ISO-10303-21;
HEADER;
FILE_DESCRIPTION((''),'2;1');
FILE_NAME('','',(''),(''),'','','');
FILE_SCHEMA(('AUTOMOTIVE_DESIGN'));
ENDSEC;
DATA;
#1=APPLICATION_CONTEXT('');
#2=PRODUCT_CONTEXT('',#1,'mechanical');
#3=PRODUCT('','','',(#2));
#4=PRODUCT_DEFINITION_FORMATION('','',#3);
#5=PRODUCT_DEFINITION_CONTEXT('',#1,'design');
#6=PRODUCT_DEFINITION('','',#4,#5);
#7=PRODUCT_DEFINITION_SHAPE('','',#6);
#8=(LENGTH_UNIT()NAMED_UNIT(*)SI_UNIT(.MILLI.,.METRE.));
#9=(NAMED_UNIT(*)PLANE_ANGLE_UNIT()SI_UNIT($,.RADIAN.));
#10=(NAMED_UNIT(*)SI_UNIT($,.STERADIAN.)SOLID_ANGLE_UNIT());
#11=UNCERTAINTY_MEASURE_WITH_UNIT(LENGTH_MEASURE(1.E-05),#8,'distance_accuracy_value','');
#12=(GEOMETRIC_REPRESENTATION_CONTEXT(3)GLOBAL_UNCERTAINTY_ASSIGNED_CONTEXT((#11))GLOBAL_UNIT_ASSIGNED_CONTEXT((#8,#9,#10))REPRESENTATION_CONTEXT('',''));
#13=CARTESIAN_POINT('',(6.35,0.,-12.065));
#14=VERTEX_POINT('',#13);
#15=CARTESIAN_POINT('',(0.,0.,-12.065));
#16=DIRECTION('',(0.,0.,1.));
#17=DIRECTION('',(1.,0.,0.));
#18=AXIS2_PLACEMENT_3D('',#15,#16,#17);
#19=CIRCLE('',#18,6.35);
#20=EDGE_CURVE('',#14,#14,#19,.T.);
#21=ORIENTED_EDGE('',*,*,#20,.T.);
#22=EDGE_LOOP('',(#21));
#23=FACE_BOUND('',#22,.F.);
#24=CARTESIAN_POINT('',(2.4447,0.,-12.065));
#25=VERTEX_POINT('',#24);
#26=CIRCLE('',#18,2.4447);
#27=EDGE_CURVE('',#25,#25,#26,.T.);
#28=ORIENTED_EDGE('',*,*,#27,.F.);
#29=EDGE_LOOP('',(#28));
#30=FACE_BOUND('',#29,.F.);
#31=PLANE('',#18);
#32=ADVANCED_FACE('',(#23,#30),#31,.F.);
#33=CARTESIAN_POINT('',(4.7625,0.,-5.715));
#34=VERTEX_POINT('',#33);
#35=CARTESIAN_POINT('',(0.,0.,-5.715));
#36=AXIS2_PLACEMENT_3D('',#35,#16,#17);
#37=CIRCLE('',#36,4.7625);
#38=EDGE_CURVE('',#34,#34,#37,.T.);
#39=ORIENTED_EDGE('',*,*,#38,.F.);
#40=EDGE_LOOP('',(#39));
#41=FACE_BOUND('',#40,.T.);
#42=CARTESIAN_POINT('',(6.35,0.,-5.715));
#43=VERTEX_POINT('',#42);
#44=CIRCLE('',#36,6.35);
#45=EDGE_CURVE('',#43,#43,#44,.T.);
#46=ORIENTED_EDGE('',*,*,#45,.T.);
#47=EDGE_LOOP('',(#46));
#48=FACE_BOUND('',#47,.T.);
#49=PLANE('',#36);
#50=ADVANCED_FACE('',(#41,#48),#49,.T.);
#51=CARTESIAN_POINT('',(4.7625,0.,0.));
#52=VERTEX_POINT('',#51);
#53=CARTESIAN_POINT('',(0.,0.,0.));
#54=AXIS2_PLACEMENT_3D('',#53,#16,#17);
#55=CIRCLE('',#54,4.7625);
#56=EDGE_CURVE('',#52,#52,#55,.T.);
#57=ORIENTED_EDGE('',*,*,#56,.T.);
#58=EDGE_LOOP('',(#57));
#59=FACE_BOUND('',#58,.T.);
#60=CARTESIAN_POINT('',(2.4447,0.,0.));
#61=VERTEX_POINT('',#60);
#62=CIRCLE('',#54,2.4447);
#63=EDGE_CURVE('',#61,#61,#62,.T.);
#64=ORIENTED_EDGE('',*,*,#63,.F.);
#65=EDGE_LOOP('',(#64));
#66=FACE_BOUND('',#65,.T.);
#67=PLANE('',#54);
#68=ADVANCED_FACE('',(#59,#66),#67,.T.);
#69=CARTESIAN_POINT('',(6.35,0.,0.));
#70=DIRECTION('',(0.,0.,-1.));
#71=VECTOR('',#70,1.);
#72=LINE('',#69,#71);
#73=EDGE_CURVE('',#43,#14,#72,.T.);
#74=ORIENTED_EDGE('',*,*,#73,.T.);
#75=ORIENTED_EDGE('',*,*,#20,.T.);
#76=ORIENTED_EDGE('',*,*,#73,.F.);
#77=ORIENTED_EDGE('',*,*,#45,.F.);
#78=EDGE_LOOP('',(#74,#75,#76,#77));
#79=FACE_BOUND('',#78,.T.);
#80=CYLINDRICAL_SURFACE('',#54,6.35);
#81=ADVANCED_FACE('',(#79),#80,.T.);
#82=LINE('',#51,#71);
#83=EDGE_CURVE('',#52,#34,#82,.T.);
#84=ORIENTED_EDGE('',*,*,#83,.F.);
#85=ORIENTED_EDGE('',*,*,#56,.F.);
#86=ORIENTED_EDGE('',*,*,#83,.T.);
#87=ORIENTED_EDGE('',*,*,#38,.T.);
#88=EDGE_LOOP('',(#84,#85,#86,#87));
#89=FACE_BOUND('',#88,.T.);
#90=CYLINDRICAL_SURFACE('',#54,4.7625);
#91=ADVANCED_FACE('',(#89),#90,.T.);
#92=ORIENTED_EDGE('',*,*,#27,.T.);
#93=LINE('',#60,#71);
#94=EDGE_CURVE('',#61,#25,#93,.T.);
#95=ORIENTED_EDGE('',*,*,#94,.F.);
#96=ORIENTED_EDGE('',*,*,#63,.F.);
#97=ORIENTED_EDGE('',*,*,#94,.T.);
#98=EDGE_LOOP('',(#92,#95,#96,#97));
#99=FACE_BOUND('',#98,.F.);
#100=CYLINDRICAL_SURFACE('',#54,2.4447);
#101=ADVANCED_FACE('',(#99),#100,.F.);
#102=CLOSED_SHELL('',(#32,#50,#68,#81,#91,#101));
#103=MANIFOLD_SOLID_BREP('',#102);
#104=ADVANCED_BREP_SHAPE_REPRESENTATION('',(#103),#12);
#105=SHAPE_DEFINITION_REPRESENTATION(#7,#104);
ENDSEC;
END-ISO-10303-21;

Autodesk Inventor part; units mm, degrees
ref_plane "YZ Plane" through (0, 0, 0) normal (1, 0, 0) x (0, 1, 0)
ref_plane "XZ Plane" through (0, 0, 0) normal (0, 1, 0) x (-1, 0, 0)
ref_plane "XY Plane" through (0, 0, 0) normal (0, 0, 1) x (1, 0, 0)
sketch "Sketch1" plane through (0, 0, 0) normal (0, 0, 1) x (1, 0, 0)
  circle A0 centre (0, 0) radius 6.35
  dimension "d0" = 12.7
extrude "Extrusion1" add sketch "Sketch1" against normal blind 12.065
sketch "Sketch2" plane through (0, 0, 0) normal (0, 0, 1) x (1, 0, 0)
  circle A0 centre (0, 0) radius 6.35 projected
  circle A1 centre (0, 0) radius 4.7625
  dimension "d3" = 9.525
extrude "Extrusion2" cut sketch "Sketch2" against normal blind 5.715
sketch "Sketch3" plane through (0, 0, 0) normal (0, 0, 1) x (1, 0, 0)
  circle A0 centre (0, 0) radius 4.7625 projected
  circle A1 centre (0, 0) radius 2.4447
  dimension "d6" = 4.8895
extrude "Extrusion3" cut sketch "Sketch3" against normal through all contours A1
properties part number "T-Spacer .375"
